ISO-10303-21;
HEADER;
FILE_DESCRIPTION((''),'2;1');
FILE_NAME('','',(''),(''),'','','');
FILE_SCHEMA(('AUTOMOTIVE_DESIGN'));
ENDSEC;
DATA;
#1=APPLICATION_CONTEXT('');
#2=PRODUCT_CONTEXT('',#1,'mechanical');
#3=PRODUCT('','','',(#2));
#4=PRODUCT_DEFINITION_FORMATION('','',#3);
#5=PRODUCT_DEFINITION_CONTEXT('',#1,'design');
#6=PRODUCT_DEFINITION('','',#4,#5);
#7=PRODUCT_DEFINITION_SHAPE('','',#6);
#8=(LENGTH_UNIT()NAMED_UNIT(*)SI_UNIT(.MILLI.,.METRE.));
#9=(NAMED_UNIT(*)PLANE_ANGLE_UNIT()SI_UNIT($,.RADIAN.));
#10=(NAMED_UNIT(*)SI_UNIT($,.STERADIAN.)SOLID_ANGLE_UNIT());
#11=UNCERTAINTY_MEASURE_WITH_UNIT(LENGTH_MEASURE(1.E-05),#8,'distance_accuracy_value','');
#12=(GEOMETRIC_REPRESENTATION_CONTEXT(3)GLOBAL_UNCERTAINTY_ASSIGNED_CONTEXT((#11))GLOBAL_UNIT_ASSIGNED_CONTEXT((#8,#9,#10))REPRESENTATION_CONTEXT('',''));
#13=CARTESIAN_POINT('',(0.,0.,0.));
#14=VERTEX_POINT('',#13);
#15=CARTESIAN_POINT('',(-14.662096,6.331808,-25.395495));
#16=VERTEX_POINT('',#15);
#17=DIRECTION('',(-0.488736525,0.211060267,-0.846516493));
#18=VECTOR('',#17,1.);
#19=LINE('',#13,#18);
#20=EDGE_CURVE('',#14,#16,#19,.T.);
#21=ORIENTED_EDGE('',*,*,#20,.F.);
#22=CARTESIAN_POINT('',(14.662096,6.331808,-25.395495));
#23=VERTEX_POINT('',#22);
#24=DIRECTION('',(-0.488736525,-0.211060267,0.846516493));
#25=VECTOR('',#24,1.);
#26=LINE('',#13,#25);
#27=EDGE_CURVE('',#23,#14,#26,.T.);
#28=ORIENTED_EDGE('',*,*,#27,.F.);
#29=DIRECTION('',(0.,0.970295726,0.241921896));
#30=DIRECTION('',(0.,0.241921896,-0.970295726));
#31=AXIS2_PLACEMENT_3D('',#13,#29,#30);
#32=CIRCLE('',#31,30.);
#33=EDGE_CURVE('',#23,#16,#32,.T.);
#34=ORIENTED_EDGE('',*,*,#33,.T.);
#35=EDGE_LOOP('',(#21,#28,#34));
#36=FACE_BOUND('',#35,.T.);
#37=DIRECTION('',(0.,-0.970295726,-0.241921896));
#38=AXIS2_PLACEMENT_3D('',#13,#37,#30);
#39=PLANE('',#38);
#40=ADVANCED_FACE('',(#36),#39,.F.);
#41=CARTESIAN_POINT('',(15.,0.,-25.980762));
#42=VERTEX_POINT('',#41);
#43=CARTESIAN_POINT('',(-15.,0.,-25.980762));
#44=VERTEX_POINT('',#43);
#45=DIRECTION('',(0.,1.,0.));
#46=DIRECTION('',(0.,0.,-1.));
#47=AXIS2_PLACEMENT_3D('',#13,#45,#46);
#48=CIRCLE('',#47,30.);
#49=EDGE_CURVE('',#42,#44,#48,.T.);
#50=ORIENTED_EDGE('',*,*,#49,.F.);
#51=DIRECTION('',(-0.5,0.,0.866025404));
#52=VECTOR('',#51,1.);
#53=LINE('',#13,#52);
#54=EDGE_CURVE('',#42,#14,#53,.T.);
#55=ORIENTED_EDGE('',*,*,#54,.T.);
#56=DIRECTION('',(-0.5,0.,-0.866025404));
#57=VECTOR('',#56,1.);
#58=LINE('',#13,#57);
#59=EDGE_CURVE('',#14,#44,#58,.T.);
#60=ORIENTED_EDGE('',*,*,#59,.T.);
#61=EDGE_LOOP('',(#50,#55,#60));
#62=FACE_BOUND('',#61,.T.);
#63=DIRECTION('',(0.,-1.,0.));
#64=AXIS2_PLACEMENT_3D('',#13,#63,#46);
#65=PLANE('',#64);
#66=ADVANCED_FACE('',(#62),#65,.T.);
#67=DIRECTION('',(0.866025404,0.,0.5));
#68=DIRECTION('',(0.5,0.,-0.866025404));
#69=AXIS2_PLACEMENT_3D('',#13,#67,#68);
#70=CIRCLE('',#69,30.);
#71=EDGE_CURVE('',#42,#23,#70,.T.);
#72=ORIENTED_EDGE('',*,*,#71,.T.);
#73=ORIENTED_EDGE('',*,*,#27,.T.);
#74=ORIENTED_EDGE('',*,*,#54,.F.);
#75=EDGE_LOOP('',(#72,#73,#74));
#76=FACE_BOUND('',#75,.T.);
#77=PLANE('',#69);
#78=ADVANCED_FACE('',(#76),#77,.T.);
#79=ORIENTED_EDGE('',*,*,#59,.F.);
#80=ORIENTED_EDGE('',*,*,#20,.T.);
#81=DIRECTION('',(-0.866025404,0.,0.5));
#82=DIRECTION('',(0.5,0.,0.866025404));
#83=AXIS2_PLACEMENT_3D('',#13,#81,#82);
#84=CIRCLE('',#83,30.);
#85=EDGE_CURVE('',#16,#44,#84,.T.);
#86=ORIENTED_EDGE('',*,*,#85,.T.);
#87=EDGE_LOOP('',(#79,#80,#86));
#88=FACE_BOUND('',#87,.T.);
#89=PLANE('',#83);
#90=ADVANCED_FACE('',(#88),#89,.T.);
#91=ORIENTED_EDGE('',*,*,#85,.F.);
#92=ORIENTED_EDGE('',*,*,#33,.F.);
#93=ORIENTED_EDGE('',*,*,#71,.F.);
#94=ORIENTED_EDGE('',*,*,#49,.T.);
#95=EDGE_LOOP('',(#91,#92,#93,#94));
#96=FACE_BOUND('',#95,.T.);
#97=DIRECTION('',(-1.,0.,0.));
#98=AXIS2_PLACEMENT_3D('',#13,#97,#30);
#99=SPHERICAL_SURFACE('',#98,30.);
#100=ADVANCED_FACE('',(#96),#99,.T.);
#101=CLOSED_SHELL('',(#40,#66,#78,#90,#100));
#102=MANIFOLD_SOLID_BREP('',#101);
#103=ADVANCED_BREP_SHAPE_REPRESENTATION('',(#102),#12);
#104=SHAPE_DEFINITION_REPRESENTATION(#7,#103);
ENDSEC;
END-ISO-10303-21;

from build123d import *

# Parameters (mm, degrees)
REVOLVE_2_ANGLE     = 14
SKETCH_5_W          = 44.686573774
SKETCH_5_H          = 93.829393492
CUT_EXTRUDE_1_DEPTH = 50
SKETCH_6_W          = 25.08892812
SKETCH_6_H          = 77.533839386
CUT_EXTRUDE_2_DEPTH = 39


with BuildPart() as part:
    # 草图3 → 旋转2 (revolve)
    with BuildSketch(Plane(origin=(0, 0, 0), x_dir=(1, 0, 0), z_dir=(0, 1, 0))):
        with BuildLine():
            Line((-30, 0), (30, 0))
            ThreePointArc((30, 0), (0, 30), (-30, 0))
        make_face()
    revolve(axis=Axis((-30, 0, 0), (1, 0, 0)), revolution_arc=REVOLVE_2_ANGLE)

    # 草图5 → 切除-拉伸1 (cut)
    with BuildSketch(Plane(origin=(0, 0, 0), x_dir=(0, 1, 0), z_dir=(-0.8660254037844416, 0, -0.49999999999999495))):
        Rectangle(SKETCH_5_W, SKETCH_5_H)
    extrude(amount=-CUT_EXTRUDE_1_DEPTH, mode=Mode.SUBTRACT)

    # 草图6 → 切除-拉伸2 (cut)
    with BuildSketch(Plane(origin=(0, 0, 0), x_dir=(0, 1, 0), z_dir=(-0.8660254037844416, 0, 0.49999999999999495))):
        Rectangle(SKETCH_6_W, SKETCH_6_H)
    extrude(amount=CUT_EXTRUDE_2_DEPTH, mode=Mode.SUBTRACT)


solid = part.part
